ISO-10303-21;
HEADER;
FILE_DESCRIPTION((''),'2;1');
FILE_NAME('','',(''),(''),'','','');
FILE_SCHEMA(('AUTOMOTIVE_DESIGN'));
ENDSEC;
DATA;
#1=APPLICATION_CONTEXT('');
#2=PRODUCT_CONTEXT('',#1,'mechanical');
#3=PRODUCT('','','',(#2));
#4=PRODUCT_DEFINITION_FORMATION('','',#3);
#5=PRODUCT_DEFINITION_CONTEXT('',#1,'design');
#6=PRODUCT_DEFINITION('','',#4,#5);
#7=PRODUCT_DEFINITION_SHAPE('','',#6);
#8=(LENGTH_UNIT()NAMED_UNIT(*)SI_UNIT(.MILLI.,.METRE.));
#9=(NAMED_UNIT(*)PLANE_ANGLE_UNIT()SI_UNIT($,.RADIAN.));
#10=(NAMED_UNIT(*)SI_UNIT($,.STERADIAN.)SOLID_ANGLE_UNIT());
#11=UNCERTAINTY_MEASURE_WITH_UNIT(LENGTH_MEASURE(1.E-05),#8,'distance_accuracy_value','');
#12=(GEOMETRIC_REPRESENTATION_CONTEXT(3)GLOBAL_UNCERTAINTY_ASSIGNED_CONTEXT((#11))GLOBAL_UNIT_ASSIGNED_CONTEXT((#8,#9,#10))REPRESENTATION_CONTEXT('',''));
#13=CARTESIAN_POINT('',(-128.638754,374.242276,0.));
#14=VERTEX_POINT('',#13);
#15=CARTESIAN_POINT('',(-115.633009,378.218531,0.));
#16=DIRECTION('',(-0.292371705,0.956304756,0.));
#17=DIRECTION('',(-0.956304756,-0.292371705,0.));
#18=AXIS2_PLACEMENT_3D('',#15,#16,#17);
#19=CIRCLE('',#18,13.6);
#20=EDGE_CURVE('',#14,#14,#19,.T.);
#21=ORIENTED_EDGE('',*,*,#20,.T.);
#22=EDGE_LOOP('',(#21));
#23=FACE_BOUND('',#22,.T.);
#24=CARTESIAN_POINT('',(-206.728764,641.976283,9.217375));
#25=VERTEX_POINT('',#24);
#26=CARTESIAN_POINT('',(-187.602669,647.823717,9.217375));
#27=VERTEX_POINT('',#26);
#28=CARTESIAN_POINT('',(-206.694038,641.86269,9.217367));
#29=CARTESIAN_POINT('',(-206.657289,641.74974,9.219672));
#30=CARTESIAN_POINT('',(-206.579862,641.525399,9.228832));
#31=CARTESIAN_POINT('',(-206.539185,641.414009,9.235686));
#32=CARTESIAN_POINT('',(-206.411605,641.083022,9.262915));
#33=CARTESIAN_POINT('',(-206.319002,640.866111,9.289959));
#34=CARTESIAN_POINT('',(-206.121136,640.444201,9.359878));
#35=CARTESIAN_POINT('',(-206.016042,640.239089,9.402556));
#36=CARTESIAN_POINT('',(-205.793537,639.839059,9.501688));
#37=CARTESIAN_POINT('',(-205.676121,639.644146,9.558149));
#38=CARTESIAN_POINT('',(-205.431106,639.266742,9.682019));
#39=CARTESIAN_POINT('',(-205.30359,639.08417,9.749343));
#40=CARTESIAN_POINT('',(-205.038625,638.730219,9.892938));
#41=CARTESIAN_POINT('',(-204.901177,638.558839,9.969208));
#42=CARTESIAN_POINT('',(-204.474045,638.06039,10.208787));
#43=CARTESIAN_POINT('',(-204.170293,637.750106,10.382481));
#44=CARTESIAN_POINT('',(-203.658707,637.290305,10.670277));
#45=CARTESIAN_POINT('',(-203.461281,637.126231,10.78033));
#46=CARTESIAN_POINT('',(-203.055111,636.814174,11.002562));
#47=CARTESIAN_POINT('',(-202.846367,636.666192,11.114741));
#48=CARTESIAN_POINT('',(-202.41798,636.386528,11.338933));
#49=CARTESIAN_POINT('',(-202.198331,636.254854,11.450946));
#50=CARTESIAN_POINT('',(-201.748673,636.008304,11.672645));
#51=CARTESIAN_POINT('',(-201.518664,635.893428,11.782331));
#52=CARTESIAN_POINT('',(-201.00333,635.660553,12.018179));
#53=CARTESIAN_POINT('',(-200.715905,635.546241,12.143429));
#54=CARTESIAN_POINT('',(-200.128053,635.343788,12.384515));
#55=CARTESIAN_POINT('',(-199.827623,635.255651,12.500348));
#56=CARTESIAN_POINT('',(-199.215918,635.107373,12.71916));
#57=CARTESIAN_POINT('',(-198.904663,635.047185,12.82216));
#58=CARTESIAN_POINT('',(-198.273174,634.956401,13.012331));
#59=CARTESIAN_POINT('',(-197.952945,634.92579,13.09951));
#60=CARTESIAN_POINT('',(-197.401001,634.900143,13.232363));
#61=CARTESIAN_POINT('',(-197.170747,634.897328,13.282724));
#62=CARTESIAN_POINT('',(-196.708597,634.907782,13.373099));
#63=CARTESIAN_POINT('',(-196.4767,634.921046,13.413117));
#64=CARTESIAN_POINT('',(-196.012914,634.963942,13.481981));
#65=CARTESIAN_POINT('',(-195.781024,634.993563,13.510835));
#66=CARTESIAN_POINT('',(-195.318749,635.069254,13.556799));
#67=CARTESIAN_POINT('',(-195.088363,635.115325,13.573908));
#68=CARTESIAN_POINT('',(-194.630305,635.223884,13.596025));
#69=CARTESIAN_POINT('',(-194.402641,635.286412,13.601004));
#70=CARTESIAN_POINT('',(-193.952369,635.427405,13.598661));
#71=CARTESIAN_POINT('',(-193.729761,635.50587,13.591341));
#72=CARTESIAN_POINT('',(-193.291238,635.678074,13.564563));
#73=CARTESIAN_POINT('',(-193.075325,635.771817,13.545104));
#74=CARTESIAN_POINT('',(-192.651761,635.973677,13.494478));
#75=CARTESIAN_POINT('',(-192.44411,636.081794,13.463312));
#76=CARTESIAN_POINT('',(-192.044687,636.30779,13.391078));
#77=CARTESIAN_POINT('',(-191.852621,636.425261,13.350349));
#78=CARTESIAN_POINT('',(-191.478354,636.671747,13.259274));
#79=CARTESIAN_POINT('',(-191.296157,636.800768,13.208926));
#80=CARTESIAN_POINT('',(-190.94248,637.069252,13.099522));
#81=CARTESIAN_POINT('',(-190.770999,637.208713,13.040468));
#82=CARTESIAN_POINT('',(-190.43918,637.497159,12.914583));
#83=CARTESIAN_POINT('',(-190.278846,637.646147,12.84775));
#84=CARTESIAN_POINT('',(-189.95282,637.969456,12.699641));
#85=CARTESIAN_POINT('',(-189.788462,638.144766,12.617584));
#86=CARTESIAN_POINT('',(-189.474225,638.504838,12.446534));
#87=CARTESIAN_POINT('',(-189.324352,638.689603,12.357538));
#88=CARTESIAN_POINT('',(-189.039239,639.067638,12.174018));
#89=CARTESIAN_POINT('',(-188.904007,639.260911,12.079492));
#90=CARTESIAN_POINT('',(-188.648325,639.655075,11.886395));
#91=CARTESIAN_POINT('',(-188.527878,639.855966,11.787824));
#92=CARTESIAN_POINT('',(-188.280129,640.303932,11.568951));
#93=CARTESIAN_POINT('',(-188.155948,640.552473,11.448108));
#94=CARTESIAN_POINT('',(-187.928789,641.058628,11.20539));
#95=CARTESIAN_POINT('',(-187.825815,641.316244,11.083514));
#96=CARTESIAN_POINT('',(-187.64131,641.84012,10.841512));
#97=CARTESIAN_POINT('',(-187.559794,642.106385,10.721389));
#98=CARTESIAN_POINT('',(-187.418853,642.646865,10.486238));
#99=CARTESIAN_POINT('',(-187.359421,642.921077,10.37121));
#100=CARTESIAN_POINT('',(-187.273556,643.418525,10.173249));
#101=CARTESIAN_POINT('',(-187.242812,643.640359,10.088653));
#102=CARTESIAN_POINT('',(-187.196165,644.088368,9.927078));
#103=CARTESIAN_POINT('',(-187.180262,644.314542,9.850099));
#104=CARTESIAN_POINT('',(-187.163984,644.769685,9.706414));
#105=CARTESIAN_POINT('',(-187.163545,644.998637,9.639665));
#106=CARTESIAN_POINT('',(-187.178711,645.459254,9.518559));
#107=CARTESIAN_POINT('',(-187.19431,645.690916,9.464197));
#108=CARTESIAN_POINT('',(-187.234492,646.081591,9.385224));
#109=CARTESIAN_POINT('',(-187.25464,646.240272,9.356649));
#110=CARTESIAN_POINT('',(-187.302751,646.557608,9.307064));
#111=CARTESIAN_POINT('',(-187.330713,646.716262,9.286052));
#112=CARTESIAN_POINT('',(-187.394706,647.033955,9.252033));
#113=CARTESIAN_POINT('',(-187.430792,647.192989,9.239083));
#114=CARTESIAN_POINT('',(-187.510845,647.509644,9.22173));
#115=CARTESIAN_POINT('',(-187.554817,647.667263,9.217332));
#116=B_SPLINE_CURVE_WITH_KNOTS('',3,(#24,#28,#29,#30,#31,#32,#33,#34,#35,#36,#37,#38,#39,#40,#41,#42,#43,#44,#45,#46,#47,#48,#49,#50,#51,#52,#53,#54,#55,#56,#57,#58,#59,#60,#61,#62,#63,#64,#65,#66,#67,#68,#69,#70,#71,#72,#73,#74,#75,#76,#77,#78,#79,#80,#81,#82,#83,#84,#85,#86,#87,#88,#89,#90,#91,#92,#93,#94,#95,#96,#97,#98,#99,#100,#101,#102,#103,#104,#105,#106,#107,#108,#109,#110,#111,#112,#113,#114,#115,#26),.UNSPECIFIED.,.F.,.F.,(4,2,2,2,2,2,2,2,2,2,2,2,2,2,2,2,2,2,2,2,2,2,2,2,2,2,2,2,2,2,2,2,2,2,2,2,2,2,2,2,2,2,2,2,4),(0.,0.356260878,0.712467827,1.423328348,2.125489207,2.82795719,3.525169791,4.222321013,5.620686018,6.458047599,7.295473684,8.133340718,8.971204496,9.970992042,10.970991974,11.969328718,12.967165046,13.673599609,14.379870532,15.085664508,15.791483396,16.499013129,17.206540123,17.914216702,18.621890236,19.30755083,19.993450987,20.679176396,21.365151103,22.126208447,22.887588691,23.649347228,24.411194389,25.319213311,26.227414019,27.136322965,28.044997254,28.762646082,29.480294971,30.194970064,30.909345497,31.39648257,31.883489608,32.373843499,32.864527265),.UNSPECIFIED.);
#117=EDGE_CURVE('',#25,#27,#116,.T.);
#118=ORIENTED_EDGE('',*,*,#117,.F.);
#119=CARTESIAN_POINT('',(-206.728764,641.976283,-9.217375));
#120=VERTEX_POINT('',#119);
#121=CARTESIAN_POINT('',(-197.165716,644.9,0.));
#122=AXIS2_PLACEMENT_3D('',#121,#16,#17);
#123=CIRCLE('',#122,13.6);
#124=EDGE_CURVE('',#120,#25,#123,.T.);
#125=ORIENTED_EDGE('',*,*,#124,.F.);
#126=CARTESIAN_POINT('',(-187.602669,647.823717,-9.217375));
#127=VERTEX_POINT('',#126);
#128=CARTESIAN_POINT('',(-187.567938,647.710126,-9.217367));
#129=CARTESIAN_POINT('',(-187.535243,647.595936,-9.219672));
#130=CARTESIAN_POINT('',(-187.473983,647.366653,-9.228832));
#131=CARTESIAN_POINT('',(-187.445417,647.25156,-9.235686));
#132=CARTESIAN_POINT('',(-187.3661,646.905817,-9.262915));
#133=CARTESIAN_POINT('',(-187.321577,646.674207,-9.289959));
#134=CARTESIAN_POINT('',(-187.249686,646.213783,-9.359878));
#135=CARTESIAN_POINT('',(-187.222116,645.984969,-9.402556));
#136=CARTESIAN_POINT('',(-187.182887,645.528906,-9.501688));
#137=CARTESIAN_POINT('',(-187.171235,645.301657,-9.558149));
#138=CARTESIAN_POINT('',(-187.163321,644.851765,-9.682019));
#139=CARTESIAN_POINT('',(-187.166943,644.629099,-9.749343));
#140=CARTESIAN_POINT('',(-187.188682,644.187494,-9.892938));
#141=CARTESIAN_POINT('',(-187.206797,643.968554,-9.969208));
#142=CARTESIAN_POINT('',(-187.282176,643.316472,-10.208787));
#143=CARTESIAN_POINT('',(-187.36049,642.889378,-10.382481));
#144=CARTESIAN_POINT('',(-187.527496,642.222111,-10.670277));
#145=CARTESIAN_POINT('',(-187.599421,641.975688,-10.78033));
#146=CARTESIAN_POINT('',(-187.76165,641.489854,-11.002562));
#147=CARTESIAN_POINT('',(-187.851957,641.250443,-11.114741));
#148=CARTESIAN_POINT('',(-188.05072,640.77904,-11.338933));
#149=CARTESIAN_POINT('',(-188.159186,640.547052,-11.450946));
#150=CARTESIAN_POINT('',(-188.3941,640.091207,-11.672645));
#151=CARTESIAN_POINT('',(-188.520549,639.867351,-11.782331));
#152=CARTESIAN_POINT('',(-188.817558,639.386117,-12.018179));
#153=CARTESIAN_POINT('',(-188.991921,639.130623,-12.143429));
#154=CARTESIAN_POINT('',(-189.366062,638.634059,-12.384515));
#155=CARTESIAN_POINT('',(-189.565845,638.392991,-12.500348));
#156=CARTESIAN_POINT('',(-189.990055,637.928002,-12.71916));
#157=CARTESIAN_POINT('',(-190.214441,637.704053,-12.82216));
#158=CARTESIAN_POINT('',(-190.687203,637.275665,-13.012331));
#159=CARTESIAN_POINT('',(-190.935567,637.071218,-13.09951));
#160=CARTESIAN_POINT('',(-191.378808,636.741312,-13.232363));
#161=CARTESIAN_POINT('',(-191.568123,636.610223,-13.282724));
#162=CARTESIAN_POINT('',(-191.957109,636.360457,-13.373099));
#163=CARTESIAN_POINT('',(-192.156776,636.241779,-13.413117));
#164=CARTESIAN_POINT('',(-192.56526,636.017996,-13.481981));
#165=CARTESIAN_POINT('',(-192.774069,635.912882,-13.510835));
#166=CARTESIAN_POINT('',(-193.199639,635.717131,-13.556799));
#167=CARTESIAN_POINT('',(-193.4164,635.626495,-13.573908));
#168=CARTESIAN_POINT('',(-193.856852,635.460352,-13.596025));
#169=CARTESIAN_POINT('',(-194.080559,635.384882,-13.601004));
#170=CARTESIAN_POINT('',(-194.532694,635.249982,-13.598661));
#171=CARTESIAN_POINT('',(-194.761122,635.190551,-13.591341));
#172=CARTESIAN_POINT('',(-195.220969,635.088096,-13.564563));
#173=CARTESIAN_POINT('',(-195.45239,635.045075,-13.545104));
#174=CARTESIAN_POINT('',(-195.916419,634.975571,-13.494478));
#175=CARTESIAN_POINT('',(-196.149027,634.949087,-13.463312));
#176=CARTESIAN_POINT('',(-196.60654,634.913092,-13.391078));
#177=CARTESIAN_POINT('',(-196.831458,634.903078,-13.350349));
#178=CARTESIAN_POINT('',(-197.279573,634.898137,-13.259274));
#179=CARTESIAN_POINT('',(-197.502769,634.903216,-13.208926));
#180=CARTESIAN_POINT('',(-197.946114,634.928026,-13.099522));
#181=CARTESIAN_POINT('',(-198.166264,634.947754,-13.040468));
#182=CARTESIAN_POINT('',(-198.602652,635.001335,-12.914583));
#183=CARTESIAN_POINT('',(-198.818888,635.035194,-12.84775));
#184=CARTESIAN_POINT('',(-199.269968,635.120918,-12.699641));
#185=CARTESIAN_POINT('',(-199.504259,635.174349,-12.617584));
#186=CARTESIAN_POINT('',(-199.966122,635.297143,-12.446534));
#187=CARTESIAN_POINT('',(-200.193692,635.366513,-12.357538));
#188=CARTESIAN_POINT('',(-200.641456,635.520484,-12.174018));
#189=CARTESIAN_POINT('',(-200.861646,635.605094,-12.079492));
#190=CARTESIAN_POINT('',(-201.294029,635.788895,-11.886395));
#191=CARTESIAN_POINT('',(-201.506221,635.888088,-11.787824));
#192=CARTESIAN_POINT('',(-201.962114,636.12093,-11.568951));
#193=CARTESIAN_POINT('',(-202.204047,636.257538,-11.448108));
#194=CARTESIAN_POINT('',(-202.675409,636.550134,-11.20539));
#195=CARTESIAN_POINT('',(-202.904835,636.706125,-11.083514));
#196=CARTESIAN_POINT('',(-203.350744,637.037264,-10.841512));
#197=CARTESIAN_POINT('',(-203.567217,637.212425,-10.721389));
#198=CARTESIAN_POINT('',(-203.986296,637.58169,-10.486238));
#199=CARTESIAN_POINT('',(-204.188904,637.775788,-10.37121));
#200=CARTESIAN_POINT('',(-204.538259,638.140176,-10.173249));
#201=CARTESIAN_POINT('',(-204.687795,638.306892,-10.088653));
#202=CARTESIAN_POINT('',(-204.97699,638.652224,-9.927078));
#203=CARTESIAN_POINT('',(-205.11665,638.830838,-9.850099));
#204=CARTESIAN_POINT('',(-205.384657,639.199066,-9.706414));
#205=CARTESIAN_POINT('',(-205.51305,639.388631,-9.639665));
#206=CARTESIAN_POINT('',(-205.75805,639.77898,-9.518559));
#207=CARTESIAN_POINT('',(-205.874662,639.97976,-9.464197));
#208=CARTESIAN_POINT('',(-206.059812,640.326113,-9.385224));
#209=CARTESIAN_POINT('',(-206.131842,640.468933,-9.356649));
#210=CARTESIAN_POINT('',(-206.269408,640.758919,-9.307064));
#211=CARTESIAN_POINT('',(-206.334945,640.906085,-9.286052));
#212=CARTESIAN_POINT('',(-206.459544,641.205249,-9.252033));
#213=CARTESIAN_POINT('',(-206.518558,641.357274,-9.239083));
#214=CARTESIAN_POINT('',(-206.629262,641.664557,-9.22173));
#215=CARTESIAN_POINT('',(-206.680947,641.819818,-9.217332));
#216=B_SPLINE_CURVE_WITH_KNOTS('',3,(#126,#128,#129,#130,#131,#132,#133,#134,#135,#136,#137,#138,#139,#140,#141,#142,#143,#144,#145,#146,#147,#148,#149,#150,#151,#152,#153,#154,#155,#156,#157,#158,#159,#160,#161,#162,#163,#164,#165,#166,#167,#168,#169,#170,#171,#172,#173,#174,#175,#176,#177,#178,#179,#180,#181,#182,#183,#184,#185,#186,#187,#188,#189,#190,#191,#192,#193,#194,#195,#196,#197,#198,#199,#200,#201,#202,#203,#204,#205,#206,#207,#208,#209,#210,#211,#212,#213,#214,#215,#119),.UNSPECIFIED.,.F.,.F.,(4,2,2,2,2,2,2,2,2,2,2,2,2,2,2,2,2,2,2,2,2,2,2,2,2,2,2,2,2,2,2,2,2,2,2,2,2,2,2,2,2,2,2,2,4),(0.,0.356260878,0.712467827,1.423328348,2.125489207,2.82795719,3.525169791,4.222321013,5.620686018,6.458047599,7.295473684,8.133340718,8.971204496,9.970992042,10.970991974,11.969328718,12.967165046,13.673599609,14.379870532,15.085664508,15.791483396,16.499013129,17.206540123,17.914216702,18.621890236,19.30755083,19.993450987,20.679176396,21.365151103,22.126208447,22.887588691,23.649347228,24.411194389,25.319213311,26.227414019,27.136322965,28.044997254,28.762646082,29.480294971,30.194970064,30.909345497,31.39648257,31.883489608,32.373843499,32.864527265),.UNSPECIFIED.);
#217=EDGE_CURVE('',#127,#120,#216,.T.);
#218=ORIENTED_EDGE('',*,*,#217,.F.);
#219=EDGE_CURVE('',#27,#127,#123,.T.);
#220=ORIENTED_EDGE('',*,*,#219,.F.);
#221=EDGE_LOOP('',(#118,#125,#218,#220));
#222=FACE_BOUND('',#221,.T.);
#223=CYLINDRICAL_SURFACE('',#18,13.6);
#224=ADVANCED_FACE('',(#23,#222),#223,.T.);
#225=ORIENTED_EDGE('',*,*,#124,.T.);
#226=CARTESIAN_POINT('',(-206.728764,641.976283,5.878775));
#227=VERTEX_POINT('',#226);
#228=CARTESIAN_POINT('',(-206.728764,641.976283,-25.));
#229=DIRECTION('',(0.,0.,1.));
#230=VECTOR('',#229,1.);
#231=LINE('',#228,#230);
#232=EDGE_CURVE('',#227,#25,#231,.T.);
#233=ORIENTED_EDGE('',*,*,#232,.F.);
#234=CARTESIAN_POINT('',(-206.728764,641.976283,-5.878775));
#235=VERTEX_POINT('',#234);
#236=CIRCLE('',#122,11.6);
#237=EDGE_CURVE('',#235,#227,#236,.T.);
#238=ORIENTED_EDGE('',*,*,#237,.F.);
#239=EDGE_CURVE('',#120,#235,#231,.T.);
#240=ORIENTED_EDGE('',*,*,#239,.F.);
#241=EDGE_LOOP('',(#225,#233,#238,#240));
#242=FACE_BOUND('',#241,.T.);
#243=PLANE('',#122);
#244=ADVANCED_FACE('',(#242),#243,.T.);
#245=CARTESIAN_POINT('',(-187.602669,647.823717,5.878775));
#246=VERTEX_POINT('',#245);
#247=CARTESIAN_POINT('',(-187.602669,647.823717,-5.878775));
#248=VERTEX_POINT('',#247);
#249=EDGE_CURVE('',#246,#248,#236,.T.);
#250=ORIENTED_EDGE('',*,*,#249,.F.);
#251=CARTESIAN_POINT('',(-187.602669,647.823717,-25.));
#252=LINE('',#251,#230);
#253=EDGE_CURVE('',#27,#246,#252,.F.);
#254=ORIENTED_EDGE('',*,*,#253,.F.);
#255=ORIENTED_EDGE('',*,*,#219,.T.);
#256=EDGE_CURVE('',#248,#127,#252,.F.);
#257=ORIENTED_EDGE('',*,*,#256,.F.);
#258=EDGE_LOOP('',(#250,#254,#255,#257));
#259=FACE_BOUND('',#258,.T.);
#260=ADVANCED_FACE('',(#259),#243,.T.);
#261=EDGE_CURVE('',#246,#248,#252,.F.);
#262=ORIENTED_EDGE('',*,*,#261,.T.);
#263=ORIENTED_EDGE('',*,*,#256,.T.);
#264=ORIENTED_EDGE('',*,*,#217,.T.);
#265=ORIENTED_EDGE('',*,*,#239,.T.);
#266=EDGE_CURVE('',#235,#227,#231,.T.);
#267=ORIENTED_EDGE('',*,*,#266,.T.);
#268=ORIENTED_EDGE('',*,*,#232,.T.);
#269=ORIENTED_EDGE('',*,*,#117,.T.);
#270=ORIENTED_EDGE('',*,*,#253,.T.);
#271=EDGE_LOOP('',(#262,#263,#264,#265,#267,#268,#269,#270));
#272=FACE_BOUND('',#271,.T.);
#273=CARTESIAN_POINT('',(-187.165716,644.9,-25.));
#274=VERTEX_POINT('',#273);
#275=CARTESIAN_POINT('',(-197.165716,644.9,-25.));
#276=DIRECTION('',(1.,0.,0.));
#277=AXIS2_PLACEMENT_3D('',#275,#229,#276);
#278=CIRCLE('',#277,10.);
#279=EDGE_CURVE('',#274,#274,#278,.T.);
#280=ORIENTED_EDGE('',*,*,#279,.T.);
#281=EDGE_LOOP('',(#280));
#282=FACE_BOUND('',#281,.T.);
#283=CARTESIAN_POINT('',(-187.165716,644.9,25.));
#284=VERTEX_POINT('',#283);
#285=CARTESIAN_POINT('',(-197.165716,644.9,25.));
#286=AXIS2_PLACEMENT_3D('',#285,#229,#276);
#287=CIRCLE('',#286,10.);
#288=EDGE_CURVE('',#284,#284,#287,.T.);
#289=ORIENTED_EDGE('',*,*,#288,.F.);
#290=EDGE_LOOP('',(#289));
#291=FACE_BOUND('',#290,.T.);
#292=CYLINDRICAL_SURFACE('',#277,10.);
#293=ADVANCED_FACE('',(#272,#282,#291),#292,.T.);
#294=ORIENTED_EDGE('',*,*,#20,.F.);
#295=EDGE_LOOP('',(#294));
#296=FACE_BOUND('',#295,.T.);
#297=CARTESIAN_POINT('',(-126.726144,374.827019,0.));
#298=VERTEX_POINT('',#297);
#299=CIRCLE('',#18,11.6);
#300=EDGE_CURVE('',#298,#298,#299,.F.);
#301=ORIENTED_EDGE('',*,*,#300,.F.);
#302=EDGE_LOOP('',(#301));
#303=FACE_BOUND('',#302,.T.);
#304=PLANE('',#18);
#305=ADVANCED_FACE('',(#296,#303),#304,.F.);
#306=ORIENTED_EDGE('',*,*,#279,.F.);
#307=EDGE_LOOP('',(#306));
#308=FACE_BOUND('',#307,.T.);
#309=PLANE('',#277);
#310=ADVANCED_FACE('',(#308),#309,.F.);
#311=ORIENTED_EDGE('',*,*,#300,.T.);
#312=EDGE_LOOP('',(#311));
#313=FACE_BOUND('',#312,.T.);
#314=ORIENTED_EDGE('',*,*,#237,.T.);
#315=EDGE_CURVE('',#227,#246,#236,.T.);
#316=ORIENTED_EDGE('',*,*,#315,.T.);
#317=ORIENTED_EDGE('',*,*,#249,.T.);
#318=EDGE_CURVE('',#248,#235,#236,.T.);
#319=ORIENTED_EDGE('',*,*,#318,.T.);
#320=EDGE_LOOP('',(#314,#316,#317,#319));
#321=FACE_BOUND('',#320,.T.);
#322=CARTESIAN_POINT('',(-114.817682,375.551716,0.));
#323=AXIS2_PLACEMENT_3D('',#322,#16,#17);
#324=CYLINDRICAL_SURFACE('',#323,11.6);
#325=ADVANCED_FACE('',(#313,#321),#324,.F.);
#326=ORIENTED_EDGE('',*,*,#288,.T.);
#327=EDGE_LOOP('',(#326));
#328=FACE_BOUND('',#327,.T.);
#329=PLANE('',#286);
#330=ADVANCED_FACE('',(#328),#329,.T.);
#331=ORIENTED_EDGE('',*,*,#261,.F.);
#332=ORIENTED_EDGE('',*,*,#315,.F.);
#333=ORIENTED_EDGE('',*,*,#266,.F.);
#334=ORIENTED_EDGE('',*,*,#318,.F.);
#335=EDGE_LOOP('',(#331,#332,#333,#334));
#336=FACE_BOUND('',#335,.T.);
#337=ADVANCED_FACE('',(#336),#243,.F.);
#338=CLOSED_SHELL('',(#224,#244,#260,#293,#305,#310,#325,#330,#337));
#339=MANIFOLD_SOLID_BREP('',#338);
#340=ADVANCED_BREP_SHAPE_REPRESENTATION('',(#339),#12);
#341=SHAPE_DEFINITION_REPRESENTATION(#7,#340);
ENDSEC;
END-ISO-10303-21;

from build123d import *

# Parameters (mm, degrees)
TUBO_TIJA_PROFILE_R         = 13.6
CABEZA_PROFILE_R            = 10
VACIADO_TUBO_TIJA_PROFILE_R = 11.6


with BuildPart() as part:
    # Tubo_tija: sweep along a curve in space
    with BuildLine() as tubo_tija_path:
        Line((-115.633009218, 378.218530983, 0), (-197.165716473, 644.9, 0))
    # Tubo_tija profile (on start of the path) → Tubo_tija (sweep)
    with BuildSketch(Plane(origin=(-115.633009218, 378.218530983, 0), x_dir=(0.9563047559630354, 0.2923717047227369, 0), z_dir=(-0.2923717047227369, 0.9563047559630354, 0))):
        Circle(TUBO_TIJA_PROFILE_R)
    sweep(path=tubo_tija_path.line)

    # Cabeza: sweep along a curve in space
    with BuildLine() as cabeza_path:
        Line((-197.165716473, 644.9, -25), (-197.165716473, 644.9, 25))
    # Cabeza profile (on start of the path) → Cabeza (sweep)
    with BuildSketch(Plane(origin=(-197.165716473, 644.9, -25), x_dir=(1, 0, 0), z_dir=(0, 0, 1))):
        Circle(CABEZA_PROFILE_R)
    sweep(path=cabeza_path.line)

    # Vaciado_Tubo_tija: sweep along a curve in space
    with BuildLine() as vaciado_tubo_tija_path:
        Line((-115.633009218, 378.218530983, 0), (-197.165716473, 644.9, 0))
    # Vaciado_Tubo_tija profile (on start of the path) → Vaciado_Tubo_tija (sweep, cut)
    with BuildSketch(Plane(origin=(-115.633009218, 378.218530983, 0), x_dir=(0.9563047559630354, 0.2923717047227369, 0), z_dir=(-0.2923717047227369, 0.9563047559630354, 0))):
        Circle(VACIADO_TUBO_TIJA_PROFILE_R)
    sweep(path=vaciado_tubo_tija_path.line, mode=Mode.SUBTRACT)


solid = part.part
